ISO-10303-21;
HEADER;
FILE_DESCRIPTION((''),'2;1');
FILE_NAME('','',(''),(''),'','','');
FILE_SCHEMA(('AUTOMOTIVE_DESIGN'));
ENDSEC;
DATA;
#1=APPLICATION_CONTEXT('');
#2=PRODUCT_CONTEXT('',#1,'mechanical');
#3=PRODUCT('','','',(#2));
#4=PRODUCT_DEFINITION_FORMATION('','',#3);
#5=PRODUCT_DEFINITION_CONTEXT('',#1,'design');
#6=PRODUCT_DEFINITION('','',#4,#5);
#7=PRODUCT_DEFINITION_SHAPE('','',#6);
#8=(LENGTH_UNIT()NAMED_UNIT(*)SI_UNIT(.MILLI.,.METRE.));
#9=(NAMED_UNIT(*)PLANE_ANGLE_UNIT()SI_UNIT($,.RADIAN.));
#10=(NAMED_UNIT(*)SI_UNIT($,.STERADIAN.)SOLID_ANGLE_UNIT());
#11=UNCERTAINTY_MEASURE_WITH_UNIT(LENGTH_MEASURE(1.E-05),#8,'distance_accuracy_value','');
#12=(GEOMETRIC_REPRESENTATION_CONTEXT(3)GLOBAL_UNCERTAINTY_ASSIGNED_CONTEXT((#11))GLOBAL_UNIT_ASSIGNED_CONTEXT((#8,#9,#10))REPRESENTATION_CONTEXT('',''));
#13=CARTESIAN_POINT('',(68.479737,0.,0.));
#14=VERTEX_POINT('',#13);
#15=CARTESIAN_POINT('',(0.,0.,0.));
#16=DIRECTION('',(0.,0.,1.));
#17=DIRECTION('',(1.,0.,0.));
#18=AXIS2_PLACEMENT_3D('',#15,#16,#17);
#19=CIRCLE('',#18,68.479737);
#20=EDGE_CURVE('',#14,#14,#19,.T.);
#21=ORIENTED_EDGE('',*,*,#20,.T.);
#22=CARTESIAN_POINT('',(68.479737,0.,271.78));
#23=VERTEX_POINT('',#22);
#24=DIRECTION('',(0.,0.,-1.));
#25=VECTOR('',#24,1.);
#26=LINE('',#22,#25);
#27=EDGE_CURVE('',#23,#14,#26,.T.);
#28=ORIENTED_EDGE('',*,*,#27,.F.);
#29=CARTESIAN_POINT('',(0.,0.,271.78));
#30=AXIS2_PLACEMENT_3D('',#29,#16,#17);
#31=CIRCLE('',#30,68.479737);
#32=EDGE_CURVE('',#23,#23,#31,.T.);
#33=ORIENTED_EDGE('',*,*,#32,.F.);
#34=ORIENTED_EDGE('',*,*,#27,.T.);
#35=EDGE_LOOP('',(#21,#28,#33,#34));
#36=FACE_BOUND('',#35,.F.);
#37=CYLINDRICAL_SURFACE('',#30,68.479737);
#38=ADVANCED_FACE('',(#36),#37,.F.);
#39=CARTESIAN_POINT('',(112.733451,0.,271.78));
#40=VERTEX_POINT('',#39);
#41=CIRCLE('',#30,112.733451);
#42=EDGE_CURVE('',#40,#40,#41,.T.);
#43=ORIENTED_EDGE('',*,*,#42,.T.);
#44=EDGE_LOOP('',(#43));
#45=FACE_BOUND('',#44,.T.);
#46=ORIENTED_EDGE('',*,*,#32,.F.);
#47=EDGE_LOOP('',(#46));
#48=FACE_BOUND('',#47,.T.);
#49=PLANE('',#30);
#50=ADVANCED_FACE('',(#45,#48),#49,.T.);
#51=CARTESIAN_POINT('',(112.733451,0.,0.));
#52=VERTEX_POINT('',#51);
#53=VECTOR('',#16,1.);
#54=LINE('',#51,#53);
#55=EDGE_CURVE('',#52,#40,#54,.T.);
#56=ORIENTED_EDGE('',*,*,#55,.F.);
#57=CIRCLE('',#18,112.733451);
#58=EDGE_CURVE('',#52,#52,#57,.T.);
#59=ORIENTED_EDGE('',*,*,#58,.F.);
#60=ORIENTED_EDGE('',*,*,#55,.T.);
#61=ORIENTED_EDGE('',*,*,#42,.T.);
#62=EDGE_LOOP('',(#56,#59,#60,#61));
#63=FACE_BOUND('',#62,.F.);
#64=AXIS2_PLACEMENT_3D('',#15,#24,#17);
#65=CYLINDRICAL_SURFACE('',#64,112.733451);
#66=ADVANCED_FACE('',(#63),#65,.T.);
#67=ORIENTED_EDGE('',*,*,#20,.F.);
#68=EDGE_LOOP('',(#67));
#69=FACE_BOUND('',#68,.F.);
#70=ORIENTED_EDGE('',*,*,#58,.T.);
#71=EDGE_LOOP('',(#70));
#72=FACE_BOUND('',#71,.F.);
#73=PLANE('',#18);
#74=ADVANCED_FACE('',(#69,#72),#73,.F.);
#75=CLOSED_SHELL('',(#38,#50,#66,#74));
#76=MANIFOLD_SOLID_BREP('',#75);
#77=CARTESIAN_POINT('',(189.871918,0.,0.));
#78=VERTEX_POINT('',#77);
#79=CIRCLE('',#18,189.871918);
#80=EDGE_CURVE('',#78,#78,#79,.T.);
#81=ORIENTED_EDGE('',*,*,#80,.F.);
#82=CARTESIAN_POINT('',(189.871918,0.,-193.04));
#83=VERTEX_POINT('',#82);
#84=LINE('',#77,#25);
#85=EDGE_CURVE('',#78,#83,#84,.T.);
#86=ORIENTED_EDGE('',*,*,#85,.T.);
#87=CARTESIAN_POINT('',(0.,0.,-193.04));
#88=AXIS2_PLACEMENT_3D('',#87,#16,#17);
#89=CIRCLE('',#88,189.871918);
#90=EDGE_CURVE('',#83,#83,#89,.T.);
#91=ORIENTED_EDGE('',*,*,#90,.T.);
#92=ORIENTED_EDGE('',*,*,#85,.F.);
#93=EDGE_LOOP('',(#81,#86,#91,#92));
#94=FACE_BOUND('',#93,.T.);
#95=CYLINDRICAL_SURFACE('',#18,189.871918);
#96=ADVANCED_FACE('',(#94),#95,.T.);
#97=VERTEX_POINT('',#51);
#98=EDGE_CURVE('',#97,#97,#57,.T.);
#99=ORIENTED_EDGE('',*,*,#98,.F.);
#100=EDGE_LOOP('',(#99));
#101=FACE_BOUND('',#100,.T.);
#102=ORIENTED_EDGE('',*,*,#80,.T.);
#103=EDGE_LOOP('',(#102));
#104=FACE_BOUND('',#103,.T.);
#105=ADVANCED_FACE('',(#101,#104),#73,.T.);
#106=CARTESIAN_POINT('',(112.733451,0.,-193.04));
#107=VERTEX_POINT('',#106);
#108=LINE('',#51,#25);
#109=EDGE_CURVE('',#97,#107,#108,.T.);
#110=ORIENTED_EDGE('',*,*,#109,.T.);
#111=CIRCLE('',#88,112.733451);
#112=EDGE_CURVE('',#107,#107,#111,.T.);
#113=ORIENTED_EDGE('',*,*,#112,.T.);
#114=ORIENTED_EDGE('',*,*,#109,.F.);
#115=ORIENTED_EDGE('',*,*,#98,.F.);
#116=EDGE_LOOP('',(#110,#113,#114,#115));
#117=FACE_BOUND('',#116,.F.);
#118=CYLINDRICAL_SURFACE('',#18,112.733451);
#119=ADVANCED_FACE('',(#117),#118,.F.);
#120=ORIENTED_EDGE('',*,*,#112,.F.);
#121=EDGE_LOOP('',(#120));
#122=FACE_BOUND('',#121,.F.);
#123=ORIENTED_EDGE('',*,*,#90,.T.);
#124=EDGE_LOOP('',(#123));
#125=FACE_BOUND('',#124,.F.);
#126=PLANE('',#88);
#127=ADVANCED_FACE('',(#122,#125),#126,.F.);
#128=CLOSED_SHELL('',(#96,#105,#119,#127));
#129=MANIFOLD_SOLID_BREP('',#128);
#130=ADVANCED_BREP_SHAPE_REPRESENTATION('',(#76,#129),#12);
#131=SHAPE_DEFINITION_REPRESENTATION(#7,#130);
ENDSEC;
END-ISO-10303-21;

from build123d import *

# Parameters (mm, degrees)
F0_R     = 189.8719183156
F1_DEPTH = 218.44
F2_R     = 112.7334513361
F3_DEPTH = 271.78
F4_R     = 68.4797366721
F5_DEPTH = 322.58
F6_DEPTH = 360.68
F7_DEPTH = 1069.34
F8_DEPTH = 25.4


with BuildPart() as f1:
    # F0 (on Top) → F1 (new body)
    with BuildSketch(Plane.XY):
        Circle(F0_R)
    extrude(amount=-F1_DEPTH)

    # F2 (on face) → F3 (join)
    with BuildSketch(Plane.XY):
        Circle(F2_R)
    extrude(amount=F3_DEPTH)

    # F4 (on face) → F5 (join)
    with BuildSketch(Plane.XY.offset(271.78)):
        Circle(F4_R)
    extrude(amount=F5_DEPTH)

    # F4 (on face) + F2 (on face) → F6 (cut)
    with BuildSketch(Plane.XY.offset(271.78)):
        Circle(F4_R)
    with BuildSketch(Plane.XY):
        Circle(F2_R)
    extrude(amount=-F6_DEPTH, mode=Mode.SUBTRACT)

    # F7 (cut): a face of the model
    f7_faces = [f1.faces().sort_by_distance(p)[0] for p in [
        (0, 0, 594.36),
    ]]
    extrude(f7_faces, amount=-F7_DEPTH, mode=Mode.SUBTRACT)

    # F8 (cut): a face of the model
    f8_faces = [f1.faces().sort_by_distance(p)[0] for p in [
        (-184.5015294757, 0, -218.44),
    ]]
    extrude(f8_faces, amount=-F8_DEPTH, mode=Mode.SUBTRACT)


solid = f1.part
